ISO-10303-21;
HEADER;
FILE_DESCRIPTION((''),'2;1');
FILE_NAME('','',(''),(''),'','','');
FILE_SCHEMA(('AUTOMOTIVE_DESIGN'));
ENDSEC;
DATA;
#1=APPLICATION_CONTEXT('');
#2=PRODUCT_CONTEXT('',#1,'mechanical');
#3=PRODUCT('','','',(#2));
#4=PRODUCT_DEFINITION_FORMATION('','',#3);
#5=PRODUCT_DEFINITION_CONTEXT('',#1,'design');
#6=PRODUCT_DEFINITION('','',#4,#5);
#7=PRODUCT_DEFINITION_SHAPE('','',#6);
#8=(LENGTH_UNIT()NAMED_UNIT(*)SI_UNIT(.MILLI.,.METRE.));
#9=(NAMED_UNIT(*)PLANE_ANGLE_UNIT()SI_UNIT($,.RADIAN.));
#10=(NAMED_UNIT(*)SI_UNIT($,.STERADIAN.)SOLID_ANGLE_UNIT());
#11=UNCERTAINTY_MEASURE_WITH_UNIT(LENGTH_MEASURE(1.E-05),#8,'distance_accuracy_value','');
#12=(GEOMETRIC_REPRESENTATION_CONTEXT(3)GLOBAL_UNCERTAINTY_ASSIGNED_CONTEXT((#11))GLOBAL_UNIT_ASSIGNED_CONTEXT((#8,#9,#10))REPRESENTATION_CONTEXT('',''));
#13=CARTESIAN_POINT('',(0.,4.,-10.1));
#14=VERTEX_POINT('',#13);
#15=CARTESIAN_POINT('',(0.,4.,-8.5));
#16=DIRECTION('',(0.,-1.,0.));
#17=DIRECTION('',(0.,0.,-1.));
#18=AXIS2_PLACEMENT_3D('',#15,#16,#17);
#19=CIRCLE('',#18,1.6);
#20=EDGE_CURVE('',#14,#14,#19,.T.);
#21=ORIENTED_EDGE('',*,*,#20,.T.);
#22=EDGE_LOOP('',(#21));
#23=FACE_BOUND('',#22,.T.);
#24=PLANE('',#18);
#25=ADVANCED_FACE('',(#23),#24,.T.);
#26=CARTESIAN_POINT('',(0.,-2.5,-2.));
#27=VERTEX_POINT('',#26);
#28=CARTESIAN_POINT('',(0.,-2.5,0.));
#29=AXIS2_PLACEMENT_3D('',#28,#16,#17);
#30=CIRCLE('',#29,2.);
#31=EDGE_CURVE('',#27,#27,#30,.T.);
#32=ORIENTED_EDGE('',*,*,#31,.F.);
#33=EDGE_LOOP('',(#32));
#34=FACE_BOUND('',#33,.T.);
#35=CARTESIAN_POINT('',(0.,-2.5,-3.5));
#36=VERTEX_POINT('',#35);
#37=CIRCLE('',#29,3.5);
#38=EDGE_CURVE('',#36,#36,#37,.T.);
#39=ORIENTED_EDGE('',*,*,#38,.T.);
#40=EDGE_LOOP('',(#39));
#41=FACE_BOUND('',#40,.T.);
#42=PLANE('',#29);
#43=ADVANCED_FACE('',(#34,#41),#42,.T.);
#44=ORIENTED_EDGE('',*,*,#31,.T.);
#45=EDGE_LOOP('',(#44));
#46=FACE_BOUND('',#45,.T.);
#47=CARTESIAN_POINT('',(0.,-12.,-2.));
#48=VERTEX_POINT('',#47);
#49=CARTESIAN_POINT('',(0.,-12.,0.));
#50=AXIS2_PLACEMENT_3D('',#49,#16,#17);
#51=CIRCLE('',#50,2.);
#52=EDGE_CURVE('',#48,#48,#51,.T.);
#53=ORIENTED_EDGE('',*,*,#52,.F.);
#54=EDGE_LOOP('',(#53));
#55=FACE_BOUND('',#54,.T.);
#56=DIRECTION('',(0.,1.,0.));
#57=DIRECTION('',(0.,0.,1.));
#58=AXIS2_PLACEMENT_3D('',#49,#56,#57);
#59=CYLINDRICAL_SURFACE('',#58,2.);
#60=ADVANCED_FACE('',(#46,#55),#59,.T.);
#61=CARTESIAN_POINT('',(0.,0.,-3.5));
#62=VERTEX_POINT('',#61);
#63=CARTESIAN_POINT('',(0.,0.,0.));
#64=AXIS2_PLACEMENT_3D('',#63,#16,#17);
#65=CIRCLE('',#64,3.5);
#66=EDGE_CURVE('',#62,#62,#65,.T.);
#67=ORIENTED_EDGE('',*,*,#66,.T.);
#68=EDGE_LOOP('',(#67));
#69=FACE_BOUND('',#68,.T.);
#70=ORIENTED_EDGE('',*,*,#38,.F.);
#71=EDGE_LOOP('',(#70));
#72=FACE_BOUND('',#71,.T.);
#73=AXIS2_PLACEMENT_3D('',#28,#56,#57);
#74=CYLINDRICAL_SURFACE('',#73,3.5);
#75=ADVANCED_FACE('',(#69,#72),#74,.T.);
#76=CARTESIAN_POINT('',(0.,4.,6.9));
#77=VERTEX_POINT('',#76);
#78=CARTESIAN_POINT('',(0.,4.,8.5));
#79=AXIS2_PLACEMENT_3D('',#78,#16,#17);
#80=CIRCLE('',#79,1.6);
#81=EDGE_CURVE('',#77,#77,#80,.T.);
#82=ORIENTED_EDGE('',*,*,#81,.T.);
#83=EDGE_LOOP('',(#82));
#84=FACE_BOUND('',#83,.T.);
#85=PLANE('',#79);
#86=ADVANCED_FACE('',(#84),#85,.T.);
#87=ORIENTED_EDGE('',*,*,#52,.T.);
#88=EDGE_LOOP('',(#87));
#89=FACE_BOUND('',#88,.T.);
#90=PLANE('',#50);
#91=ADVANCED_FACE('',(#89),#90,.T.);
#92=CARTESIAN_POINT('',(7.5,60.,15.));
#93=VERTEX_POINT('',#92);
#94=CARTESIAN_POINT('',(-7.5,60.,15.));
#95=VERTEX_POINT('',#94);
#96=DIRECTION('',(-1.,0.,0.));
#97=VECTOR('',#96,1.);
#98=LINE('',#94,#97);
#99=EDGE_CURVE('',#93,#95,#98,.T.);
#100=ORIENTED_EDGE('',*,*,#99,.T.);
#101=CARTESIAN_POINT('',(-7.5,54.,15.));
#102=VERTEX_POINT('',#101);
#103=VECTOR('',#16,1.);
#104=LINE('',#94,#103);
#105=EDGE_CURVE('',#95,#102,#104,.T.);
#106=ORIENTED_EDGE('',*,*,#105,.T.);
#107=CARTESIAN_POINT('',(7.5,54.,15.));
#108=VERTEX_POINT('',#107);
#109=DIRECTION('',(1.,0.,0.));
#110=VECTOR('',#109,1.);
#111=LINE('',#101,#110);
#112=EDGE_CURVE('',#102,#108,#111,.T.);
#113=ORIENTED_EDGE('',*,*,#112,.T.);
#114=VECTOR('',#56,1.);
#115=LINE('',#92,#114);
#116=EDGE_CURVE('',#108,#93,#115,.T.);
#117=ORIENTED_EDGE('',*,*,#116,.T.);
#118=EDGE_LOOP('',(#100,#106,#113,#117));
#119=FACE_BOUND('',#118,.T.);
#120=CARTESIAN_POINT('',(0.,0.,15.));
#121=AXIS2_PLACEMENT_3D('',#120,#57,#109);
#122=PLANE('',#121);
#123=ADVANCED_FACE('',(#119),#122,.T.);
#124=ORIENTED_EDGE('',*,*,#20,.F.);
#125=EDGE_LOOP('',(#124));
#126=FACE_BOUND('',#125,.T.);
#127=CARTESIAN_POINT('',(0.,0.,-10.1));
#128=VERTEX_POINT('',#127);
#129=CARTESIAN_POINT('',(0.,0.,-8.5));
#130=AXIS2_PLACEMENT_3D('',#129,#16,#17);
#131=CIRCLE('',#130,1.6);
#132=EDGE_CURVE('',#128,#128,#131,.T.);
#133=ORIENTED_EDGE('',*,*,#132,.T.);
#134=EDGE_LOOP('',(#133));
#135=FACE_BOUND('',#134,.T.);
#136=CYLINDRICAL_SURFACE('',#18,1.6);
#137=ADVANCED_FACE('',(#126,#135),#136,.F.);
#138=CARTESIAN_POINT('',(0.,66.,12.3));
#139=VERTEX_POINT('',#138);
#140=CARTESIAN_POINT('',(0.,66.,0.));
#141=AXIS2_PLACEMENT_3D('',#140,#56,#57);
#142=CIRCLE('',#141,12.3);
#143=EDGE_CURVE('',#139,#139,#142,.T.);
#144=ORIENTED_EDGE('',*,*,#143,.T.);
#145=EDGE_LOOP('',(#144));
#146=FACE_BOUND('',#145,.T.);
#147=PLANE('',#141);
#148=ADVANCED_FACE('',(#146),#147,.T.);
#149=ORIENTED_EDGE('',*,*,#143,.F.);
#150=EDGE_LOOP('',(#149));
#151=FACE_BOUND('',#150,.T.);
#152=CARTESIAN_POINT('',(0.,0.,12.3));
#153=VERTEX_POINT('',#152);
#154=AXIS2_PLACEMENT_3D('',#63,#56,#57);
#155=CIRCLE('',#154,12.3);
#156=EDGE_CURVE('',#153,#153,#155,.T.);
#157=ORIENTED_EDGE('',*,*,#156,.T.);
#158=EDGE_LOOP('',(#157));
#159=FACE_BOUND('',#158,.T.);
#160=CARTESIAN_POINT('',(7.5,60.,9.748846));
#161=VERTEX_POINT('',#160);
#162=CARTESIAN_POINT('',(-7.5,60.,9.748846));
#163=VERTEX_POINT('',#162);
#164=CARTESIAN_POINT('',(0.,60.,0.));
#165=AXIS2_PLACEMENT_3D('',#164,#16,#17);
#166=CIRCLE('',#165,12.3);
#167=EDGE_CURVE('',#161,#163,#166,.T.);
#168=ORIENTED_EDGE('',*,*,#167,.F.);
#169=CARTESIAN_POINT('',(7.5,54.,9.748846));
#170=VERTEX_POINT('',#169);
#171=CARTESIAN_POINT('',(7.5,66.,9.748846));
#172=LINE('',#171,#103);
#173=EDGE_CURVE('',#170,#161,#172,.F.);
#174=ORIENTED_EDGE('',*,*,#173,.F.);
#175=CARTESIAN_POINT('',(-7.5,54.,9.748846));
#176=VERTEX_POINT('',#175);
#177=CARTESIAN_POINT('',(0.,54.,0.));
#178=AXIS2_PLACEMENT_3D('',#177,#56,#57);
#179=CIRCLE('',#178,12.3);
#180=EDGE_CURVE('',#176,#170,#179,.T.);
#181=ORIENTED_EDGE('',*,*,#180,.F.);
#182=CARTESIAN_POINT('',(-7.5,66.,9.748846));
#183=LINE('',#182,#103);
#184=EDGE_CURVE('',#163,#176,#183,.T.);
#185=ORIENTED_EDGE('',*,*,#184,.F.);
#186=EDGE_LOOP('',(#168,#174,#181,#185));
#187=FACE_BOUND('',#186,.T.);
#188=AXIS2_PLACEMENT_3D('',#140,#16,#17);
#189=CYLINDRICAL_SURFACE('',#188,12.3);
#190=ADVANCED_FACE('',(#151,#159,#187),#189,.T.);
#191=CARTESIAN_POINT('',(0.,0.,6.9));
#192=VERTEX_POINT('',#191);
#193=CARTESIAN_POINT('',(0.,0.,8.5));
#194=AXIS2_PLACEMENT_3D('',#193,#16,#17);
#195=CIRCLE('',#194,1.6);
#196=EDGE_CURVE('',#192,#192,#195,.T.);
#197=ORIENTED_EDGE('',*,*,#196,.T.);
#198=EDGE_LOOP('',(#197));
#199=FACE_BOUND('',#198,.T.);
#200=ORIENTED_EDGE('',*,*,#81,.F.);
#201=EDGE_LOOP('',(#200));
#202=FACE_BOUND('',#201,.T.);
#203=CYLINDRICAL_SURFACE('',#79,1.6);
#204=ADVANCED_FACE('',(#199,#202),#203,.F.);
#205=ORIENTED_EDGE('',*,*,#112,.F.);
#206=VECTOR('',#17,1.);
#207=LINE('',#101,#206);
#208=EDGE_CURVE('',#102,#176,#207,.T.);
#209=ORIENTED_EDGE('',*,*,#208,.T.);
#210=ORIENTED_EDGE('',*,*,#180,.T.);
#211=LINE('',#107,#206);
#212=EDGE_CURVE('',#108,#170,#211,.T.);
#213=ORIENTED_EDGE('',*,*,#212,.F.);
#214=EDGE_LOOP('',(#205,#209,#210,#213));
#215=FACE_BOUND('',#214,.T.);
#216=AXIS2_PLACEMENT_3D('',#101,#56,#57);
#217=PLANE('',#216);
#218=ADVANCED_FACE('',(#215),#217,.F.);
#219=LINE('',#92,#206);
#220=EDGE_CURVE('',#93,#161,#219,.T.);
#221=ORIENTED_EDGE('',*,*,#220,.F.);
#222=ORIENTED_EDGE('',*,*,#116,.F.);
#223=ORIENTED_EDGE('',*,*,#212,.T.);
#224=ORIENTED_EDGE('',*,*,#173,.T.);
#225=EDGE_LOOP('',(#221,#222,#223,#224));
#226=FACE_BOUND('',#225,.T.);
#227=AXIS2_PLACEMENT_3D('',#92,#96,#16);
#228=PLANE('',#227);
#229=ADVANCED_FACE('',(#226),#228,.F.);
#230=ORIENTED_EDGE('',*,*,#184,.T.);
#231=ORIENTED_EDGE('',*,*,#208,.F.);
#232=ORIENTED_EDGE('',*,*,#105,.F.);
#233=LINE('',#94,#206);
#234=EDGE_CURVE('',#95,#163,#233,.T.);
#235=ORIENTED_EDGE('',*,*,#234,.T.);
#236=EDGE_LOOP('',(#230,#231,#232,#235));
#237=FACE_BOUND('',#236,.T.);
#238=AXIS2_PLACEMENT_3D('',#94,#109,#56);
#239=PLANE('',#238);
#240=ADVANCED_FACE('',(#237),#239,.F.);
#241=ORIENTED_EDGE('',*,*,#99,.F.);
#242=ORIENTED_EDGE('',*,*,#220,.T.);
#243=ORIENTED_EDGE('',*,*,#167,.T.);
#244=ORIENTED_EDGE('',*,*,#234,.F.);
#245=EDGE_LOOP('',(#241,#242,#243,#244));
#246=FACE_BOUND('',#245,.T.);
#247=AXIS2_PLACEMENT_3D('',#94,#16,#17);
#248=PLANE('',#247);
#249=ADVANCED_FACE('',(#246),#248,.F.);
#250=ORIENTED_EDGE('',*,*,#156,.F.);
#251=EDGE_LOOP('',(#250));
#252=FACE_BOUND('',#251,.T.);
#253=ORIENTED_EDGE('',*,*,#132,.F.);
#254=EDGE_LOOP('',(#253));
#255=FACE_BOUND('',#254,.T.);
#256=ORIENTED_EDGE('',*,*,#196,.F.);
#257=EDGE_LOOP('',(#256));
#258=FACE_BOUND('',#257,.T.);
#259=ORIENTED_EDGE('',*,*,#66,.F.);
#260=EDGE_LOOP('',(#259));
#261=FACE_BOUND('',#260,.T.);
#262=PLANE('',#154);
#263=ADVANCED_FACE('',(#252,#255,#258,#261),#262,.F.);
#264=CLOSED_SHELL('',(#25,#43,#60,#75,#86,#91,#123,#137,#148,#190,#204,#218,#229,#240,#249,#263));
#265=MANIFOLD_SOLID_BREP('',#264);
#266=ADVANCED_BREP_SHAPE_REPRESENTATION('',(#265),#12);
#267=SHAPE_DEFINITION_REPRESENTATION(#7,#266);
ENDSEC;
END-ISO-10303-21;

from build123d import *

# Parameters (mm, degrees)
SKETCH_1_R          = 12.3
EXTRUDE_1_DEPTH     = 66
SKETCH_2_W          = 15
SKETCH_2_H          = 6
EXTRUDE_2_DEPTH     = 10
SKETCH_3_R          = 3.5
EXTRUDE_3_DEPTH     = 2.5
SKETCH_4_R          = 2
EXTRUDE_4_DEPTH     = 9.5
SKETCH_5_R          = 1.6
CUT_EXTRUDE_1_DEPTH = 4


with BuildPart() as part:
    # 草图1 → 凸台-拉伸1 (new body)
    with BuildSketch(Plane(origin=(0, 0, 0), x_dir=(1, 0, 0), z_dir=(0, 1, 0))):
        with Locations(Location((0, 0, 0), (0, 0, 270))):
            Circle(SKETCH_1_R)
    extrude(amount=EXTRUDE_1_DEPTH)

    # 草图2 → 凸台-拉伸2 (add)
    with BuildSketch(Plane.XY.offset(5)):
        with Locations((0, 57)):
            Rectangle(SKETCH_2_W, SKETCH_2_H)
    extrude(amount=EXTRUDE_2_DEPTH)

    # 草图3 → 凸台-拉伸3 (add)
    with BuildSketch(Plane.XZ):
        with Locations(Location((0, 0, 0), (0, 0, 270))):
            Circle(SKETCH_3_R)
    extrude(amount=EXTRUDE_3_DEPTH)

    # 草图4 → 凸台-拉伸4 (add)
    with BuildSketch(Plane.XZ.offset(2.5)):
        with Locations(Location((0, 0, 0), (0, 0, 270))):
            Circle(SKETCH_4_R)
    extrude(amount=EXTRUDE_4_DEPTH)

    # 草图5 → 切除-拉伸1 (cut)
    with BuildSketch(Plane.XZ):
        with Locations(Location((0, 8.5, 0), (0, 0, 270))):
            Circle(SKETCH_5_R)
        with Locations(Location((0, -8.5, 0), (0, 0, 270))):
            Circle(SKETCH_5_R)
    extrude(amount=-CUT_EXTRUDE_1_DEPTH, mode=Mode.SUBTRACT)


solid = part.part
